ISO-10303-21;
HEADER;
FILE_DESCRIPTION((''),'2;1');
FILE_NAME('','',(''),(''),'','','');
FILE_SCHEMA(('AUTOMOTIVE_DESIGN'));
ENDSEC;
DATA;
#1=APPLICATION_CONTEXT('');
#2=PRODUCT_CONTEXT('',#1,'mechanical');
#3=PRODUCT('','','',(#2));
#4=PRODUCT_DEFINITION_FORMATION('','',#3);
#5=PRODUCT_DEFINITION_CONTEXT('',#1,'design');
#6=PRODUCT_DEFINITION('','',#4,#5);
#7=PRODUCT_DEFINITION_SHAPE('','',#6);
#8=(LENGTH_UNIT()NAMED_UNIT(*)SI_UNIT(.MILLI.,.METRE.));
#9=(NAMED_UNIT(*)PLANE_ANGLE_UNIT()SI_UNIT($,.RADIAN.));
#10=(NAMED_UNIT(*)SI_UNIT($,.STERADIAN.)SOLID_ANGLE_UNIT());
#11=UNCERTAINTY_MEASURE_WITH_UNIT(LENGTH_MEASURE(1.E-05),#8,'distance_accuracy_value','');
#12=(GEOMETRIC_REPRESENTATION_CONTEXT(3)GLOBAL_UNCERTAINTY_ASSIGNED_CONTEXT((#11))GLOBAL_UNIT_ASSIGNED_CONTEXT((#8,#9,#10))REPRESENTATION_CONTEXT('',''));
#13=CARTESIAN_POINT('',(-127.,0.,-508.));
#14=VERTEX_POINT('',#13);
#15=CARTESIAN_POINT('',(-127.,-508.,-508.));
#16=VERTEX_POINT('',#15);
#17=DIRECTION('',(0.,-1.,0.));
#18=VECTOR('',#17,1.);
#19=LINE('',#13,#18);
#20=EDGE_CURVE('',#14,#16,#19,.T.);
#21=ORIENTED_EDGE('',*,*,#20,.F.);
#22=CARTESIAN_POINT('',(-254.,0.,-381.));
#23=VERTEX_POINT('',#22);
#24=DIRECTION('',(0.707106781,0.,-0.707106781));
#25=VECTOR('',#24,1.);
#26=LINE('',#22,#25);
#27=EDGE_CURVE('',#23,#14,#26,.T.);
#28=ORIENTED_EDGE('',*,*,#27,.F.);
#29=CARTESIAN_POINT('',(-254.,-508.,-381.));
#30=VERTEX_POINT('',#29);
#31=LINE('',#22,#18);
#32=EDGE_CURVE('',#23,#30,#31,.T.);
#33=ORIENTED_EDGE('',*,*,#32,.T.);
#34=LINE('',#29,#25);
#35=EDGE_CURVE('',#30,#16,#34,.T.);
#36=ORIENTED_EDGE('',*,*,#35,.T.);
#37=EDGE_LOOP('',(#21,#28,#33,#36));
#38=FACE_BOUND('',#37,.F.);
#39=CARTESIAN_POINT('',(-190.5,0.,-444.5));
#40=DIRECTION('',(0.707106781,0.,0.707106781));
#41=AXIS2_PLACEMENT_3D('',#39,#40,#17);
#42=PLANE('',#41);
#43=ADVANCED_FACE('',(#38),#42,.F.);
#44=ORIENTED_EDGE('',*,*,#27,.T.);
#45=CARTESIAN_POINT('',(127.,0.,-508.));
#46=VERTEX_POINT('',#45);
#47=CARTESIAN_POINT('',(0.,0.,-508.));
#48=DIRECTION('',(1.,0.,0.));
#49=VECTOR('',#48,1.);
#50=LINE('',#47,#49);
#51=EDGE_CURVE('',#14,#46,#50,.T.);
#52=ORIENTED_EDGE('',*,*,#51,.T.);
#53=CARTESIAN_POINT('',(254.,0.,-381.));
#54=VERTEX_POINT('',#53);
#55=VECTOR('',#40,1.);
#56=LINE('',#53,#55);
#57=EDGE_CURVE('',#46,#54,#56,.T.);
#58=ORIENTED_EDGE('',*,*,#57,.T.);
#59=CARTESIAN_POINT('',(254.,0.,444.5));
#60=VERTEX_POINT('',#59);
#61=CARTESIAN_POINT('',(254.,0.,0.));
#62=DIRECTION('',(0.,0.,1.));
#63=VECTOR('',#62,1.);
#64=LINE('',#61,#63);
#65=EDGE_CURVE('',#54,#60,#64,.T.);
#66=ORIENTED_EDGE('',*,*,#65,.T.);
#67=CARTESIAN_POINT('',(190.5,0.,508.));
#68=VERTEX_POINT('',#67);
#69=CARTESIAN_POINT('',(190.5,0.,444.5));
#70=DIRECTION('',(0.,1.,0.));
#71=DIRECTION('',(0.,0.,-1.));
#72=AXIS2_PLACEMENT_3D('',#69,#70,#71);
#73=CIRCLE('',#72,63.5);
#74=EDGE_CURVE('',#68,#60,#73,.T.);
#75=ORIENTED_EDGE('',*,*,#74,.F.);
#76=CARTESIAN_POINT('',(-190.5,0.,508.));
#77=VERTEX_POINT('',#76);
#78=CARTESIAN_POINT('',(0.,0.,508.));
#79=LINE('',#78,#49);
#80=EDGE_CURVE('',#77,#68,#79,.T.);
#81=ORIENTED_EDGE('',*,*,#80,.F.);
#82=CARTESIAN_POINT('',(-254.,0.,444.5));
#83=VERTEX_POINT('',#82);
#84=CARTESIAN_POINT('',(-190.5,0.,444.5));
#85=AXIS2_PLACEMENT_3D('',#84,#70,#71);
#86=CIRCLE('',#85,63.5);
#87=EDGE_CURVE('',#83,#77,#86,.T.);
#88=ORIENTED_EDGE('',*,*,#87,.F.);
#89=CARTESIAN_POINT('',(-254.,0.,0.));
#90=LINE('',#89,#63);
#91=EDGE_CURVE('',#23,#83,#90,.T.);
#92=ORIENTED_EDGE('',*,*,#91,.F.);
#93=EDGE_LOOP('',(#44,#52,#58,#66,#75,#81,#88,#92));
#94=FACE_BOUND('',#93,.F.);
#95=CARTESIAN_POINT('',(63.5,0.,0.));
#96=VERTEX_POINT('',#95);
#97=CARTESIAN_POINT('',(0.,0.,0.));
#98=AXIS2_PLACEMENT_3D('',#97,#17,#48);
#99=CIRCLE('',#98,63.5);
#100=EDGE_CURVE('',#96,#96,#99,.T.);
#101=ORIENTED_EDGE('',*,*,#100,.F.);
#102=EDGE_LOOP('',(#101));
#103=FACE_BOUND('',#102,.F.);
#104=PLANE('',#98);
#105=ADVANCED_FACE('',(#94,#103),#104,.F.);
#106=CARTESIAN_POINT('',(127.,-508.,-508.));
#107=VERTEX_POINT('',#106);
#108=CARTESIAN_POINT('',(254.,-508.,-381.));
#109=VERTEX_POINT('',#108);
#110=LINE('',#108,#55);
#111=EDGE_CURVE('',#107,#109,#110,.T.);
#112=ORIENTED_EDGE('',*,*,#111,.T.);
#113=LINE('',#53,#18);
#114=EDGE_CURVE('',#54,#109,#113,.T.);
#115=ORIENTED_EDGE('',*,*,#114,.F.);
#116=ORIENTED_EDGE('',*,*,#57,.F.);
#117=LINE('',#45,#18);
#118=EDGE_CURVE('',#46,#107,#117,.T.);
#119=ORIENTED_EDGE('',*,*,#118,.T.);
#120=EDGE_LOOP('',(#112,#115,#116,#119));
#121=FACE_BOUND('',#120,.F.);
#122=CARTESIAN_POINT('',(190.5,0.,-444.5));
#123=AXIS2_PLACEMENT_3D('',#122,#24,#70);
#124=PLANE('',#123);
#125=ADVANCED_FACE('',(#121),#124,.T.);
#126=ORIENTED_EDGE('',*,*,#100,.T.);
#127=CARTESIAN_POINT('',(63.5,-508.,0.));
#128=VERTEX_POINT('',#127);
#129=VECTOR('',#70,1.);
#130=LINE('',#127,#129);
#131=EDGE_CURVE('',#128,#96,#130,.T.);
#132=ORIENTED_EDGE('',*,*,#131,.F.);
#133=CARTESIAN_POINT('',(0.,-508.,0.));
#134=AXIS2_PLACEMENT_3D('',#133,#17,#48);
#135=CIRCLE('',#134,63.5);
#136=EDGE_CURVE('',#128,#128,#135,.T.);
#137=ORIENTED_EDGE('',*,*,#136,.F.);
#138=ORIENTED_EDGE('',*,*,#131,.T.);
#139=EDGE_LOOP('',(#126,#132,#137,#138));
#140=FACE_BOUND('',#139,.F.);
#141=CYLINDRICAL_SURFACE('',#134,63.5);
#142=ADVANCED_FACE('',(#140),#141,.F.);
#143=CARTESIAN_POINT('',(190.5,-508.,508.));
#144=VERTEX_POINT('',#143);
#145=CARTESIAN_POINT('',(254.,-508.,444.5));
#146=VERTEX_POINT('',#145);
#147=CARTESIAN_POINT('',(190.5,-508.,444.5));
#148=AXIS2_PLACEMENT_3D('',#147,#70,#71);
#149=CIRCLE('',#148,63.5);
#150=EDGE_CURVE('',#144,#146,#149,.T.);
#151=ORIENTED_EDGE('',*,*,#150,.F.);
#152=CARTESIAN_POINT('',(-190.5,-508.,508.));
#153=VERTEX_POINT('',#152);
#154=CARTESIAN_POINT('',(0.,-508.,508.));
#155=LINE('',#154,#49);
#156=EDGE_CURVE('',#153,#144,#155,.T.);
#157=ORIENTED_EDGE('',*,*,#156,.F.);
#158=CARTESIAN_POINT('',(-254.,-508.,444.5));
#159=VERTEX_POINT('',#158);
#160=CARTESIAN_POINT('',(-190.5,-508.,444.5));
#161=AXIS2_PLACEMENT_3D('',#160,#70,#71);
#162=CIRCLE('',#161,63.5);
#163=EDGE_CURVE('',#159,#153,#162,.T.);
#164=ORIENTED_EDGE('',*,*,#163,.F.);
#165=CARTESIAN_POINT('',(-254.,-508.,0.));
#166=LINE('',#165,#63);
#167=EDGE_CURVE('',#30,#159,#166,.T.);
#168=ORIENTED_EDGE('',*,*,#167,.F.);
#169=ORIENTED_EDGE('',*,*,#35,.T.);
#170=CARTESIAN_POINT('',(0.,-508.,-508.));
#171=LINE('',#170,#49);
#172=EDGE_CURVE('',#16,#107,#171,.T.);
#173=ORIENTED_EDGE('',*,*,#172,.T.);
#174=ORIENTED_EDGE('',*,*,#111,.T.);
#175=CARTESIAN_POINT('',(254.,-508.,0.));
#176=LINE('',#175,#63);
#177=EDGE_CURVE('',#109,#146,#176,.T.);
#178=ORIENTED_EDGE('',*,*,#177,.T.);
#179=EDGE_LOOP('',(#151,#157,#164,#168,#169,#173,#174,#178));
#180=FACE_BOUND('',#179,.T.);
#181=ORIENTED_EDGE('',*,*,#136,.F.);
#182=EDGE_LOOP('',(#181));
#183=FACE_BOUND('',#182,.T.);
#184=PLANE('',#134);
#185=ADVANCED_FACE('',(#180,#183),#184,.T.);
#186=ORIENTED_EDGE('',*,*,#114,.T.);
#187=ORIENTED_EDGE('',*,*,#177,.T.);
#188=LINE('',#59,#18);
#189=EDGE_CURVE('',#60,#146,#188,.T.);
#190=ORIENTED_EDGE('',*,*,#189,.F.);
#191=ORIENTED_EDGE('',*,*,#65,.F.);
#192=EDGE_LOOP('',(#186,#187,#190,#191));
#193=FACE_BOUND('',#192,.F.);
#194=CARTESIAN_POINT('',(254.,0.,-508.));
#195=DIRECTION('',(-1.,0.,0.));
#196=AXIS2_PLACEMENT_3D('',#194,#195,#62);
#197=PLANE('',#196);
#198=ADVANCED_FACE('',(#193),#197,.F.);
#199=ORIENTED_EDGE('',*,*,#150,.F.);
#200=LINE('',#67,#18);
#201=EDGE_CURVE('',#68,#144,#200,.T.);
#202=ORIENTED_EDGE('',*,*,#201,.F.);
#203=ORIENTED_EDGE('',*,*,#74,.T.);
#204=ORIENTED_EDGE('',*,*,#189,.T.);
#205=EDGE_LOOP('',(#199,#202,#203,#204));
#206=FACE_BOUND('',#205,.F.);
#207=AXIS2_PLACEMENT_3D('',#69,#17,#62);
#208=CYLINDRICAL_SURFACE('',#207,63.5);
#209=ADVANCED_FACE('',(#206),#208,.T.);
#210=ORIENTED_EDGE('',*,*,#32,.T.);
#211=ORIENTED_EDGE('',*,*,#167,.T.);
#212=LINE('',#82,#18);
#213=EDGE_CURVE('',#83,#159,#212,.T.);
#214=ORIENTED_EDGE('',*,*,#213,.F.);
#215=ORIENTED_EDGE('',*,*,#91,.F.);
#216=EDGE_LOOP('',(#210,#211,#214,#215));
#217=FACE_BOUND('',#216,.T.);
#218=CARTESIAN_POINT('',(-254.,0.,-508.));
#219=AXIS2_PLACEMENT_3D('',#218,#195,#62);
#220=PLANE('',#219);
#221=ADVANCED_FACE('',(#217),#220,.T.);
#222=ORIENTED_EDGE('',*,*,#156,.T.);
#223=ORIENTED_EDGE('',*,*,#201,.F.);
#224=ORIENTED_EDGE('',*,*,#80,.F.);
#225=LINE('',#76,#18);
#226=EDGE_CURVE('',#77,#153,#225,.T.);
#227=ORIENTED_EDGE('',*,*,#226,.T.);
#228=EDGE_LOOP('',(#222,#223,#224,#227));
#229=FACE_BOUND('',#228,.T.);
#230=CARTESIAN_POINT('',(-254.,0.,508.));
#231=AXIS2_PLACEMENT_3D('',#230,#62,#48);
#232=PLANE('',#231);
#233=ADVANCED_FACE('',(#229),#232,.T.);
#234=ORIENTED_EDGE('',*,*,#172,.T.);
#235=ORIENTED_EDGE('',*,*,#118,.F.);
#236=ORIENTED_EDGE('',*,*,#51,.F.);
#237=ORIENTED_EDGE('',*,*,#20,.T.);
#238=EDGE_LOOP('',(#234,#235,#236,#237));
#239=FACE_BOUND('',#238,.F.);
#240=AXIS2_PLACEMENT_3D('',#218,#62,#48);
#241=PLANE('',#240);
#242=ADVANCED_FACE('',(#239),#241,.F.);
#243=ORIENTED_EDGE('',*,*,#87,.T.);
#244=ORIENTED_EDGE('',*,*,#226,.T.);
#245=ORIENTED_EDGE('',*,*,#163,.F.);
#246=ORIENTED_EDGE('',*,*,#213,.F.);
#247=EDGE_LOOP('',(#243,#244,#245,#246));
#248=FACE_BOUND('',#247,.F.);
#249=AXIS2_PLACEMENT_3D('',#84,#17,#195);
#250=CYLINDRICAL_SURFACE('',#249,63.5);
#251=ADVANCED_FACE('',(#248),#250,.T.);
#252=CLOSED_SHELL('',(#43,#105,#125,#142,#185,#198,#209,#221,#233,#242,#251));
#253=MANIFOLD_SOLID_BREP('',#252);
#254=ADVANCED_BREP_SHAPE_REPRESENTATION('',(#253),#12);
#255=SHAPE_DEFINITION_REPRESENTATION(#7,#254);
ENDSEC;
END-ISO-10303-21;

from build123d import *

# Parameters (mm, degrees)
F0_W     = 508
F0_H     = 1016
F1_DEPTH = 508
F2_R     = 63.5
F3_DEPTH = 508.001
F4_R     = 63.5
F5_SIZE  = 127


with BuildPart() as f1:
    # F0 (on Front) → F1 (new body)
    with BuildSketch(Plane.XZ):
        Rectangle(F0_W, F0_H)
    extrude(amount=F1_DEPTH)

    # F2 (on face) → F3 (cut, through all)
    with BuildSketch(Plane.XZ.offset(508)):
        Circle(F2_R)
    extrude(amount=-F3_DEPTH, mode=Mode.SUBTRACT)

    # F4
    f4_edges = [f1.edges().sort_by_distance(p)[0] for p in [
        (254, -254, 508),
        (-254, -254, 508),
    ]]
    fillet(f4_edges, radius=F4_R)

    # F5
    f5_edges = [f1.edges().sort_by_distance(p)[0] for p in [
        (254, -254, -508),
        (-254, -254, -508),
    ]]
    chamfer(f5_edges, length=F5_SIZE)


solid = f1.part
